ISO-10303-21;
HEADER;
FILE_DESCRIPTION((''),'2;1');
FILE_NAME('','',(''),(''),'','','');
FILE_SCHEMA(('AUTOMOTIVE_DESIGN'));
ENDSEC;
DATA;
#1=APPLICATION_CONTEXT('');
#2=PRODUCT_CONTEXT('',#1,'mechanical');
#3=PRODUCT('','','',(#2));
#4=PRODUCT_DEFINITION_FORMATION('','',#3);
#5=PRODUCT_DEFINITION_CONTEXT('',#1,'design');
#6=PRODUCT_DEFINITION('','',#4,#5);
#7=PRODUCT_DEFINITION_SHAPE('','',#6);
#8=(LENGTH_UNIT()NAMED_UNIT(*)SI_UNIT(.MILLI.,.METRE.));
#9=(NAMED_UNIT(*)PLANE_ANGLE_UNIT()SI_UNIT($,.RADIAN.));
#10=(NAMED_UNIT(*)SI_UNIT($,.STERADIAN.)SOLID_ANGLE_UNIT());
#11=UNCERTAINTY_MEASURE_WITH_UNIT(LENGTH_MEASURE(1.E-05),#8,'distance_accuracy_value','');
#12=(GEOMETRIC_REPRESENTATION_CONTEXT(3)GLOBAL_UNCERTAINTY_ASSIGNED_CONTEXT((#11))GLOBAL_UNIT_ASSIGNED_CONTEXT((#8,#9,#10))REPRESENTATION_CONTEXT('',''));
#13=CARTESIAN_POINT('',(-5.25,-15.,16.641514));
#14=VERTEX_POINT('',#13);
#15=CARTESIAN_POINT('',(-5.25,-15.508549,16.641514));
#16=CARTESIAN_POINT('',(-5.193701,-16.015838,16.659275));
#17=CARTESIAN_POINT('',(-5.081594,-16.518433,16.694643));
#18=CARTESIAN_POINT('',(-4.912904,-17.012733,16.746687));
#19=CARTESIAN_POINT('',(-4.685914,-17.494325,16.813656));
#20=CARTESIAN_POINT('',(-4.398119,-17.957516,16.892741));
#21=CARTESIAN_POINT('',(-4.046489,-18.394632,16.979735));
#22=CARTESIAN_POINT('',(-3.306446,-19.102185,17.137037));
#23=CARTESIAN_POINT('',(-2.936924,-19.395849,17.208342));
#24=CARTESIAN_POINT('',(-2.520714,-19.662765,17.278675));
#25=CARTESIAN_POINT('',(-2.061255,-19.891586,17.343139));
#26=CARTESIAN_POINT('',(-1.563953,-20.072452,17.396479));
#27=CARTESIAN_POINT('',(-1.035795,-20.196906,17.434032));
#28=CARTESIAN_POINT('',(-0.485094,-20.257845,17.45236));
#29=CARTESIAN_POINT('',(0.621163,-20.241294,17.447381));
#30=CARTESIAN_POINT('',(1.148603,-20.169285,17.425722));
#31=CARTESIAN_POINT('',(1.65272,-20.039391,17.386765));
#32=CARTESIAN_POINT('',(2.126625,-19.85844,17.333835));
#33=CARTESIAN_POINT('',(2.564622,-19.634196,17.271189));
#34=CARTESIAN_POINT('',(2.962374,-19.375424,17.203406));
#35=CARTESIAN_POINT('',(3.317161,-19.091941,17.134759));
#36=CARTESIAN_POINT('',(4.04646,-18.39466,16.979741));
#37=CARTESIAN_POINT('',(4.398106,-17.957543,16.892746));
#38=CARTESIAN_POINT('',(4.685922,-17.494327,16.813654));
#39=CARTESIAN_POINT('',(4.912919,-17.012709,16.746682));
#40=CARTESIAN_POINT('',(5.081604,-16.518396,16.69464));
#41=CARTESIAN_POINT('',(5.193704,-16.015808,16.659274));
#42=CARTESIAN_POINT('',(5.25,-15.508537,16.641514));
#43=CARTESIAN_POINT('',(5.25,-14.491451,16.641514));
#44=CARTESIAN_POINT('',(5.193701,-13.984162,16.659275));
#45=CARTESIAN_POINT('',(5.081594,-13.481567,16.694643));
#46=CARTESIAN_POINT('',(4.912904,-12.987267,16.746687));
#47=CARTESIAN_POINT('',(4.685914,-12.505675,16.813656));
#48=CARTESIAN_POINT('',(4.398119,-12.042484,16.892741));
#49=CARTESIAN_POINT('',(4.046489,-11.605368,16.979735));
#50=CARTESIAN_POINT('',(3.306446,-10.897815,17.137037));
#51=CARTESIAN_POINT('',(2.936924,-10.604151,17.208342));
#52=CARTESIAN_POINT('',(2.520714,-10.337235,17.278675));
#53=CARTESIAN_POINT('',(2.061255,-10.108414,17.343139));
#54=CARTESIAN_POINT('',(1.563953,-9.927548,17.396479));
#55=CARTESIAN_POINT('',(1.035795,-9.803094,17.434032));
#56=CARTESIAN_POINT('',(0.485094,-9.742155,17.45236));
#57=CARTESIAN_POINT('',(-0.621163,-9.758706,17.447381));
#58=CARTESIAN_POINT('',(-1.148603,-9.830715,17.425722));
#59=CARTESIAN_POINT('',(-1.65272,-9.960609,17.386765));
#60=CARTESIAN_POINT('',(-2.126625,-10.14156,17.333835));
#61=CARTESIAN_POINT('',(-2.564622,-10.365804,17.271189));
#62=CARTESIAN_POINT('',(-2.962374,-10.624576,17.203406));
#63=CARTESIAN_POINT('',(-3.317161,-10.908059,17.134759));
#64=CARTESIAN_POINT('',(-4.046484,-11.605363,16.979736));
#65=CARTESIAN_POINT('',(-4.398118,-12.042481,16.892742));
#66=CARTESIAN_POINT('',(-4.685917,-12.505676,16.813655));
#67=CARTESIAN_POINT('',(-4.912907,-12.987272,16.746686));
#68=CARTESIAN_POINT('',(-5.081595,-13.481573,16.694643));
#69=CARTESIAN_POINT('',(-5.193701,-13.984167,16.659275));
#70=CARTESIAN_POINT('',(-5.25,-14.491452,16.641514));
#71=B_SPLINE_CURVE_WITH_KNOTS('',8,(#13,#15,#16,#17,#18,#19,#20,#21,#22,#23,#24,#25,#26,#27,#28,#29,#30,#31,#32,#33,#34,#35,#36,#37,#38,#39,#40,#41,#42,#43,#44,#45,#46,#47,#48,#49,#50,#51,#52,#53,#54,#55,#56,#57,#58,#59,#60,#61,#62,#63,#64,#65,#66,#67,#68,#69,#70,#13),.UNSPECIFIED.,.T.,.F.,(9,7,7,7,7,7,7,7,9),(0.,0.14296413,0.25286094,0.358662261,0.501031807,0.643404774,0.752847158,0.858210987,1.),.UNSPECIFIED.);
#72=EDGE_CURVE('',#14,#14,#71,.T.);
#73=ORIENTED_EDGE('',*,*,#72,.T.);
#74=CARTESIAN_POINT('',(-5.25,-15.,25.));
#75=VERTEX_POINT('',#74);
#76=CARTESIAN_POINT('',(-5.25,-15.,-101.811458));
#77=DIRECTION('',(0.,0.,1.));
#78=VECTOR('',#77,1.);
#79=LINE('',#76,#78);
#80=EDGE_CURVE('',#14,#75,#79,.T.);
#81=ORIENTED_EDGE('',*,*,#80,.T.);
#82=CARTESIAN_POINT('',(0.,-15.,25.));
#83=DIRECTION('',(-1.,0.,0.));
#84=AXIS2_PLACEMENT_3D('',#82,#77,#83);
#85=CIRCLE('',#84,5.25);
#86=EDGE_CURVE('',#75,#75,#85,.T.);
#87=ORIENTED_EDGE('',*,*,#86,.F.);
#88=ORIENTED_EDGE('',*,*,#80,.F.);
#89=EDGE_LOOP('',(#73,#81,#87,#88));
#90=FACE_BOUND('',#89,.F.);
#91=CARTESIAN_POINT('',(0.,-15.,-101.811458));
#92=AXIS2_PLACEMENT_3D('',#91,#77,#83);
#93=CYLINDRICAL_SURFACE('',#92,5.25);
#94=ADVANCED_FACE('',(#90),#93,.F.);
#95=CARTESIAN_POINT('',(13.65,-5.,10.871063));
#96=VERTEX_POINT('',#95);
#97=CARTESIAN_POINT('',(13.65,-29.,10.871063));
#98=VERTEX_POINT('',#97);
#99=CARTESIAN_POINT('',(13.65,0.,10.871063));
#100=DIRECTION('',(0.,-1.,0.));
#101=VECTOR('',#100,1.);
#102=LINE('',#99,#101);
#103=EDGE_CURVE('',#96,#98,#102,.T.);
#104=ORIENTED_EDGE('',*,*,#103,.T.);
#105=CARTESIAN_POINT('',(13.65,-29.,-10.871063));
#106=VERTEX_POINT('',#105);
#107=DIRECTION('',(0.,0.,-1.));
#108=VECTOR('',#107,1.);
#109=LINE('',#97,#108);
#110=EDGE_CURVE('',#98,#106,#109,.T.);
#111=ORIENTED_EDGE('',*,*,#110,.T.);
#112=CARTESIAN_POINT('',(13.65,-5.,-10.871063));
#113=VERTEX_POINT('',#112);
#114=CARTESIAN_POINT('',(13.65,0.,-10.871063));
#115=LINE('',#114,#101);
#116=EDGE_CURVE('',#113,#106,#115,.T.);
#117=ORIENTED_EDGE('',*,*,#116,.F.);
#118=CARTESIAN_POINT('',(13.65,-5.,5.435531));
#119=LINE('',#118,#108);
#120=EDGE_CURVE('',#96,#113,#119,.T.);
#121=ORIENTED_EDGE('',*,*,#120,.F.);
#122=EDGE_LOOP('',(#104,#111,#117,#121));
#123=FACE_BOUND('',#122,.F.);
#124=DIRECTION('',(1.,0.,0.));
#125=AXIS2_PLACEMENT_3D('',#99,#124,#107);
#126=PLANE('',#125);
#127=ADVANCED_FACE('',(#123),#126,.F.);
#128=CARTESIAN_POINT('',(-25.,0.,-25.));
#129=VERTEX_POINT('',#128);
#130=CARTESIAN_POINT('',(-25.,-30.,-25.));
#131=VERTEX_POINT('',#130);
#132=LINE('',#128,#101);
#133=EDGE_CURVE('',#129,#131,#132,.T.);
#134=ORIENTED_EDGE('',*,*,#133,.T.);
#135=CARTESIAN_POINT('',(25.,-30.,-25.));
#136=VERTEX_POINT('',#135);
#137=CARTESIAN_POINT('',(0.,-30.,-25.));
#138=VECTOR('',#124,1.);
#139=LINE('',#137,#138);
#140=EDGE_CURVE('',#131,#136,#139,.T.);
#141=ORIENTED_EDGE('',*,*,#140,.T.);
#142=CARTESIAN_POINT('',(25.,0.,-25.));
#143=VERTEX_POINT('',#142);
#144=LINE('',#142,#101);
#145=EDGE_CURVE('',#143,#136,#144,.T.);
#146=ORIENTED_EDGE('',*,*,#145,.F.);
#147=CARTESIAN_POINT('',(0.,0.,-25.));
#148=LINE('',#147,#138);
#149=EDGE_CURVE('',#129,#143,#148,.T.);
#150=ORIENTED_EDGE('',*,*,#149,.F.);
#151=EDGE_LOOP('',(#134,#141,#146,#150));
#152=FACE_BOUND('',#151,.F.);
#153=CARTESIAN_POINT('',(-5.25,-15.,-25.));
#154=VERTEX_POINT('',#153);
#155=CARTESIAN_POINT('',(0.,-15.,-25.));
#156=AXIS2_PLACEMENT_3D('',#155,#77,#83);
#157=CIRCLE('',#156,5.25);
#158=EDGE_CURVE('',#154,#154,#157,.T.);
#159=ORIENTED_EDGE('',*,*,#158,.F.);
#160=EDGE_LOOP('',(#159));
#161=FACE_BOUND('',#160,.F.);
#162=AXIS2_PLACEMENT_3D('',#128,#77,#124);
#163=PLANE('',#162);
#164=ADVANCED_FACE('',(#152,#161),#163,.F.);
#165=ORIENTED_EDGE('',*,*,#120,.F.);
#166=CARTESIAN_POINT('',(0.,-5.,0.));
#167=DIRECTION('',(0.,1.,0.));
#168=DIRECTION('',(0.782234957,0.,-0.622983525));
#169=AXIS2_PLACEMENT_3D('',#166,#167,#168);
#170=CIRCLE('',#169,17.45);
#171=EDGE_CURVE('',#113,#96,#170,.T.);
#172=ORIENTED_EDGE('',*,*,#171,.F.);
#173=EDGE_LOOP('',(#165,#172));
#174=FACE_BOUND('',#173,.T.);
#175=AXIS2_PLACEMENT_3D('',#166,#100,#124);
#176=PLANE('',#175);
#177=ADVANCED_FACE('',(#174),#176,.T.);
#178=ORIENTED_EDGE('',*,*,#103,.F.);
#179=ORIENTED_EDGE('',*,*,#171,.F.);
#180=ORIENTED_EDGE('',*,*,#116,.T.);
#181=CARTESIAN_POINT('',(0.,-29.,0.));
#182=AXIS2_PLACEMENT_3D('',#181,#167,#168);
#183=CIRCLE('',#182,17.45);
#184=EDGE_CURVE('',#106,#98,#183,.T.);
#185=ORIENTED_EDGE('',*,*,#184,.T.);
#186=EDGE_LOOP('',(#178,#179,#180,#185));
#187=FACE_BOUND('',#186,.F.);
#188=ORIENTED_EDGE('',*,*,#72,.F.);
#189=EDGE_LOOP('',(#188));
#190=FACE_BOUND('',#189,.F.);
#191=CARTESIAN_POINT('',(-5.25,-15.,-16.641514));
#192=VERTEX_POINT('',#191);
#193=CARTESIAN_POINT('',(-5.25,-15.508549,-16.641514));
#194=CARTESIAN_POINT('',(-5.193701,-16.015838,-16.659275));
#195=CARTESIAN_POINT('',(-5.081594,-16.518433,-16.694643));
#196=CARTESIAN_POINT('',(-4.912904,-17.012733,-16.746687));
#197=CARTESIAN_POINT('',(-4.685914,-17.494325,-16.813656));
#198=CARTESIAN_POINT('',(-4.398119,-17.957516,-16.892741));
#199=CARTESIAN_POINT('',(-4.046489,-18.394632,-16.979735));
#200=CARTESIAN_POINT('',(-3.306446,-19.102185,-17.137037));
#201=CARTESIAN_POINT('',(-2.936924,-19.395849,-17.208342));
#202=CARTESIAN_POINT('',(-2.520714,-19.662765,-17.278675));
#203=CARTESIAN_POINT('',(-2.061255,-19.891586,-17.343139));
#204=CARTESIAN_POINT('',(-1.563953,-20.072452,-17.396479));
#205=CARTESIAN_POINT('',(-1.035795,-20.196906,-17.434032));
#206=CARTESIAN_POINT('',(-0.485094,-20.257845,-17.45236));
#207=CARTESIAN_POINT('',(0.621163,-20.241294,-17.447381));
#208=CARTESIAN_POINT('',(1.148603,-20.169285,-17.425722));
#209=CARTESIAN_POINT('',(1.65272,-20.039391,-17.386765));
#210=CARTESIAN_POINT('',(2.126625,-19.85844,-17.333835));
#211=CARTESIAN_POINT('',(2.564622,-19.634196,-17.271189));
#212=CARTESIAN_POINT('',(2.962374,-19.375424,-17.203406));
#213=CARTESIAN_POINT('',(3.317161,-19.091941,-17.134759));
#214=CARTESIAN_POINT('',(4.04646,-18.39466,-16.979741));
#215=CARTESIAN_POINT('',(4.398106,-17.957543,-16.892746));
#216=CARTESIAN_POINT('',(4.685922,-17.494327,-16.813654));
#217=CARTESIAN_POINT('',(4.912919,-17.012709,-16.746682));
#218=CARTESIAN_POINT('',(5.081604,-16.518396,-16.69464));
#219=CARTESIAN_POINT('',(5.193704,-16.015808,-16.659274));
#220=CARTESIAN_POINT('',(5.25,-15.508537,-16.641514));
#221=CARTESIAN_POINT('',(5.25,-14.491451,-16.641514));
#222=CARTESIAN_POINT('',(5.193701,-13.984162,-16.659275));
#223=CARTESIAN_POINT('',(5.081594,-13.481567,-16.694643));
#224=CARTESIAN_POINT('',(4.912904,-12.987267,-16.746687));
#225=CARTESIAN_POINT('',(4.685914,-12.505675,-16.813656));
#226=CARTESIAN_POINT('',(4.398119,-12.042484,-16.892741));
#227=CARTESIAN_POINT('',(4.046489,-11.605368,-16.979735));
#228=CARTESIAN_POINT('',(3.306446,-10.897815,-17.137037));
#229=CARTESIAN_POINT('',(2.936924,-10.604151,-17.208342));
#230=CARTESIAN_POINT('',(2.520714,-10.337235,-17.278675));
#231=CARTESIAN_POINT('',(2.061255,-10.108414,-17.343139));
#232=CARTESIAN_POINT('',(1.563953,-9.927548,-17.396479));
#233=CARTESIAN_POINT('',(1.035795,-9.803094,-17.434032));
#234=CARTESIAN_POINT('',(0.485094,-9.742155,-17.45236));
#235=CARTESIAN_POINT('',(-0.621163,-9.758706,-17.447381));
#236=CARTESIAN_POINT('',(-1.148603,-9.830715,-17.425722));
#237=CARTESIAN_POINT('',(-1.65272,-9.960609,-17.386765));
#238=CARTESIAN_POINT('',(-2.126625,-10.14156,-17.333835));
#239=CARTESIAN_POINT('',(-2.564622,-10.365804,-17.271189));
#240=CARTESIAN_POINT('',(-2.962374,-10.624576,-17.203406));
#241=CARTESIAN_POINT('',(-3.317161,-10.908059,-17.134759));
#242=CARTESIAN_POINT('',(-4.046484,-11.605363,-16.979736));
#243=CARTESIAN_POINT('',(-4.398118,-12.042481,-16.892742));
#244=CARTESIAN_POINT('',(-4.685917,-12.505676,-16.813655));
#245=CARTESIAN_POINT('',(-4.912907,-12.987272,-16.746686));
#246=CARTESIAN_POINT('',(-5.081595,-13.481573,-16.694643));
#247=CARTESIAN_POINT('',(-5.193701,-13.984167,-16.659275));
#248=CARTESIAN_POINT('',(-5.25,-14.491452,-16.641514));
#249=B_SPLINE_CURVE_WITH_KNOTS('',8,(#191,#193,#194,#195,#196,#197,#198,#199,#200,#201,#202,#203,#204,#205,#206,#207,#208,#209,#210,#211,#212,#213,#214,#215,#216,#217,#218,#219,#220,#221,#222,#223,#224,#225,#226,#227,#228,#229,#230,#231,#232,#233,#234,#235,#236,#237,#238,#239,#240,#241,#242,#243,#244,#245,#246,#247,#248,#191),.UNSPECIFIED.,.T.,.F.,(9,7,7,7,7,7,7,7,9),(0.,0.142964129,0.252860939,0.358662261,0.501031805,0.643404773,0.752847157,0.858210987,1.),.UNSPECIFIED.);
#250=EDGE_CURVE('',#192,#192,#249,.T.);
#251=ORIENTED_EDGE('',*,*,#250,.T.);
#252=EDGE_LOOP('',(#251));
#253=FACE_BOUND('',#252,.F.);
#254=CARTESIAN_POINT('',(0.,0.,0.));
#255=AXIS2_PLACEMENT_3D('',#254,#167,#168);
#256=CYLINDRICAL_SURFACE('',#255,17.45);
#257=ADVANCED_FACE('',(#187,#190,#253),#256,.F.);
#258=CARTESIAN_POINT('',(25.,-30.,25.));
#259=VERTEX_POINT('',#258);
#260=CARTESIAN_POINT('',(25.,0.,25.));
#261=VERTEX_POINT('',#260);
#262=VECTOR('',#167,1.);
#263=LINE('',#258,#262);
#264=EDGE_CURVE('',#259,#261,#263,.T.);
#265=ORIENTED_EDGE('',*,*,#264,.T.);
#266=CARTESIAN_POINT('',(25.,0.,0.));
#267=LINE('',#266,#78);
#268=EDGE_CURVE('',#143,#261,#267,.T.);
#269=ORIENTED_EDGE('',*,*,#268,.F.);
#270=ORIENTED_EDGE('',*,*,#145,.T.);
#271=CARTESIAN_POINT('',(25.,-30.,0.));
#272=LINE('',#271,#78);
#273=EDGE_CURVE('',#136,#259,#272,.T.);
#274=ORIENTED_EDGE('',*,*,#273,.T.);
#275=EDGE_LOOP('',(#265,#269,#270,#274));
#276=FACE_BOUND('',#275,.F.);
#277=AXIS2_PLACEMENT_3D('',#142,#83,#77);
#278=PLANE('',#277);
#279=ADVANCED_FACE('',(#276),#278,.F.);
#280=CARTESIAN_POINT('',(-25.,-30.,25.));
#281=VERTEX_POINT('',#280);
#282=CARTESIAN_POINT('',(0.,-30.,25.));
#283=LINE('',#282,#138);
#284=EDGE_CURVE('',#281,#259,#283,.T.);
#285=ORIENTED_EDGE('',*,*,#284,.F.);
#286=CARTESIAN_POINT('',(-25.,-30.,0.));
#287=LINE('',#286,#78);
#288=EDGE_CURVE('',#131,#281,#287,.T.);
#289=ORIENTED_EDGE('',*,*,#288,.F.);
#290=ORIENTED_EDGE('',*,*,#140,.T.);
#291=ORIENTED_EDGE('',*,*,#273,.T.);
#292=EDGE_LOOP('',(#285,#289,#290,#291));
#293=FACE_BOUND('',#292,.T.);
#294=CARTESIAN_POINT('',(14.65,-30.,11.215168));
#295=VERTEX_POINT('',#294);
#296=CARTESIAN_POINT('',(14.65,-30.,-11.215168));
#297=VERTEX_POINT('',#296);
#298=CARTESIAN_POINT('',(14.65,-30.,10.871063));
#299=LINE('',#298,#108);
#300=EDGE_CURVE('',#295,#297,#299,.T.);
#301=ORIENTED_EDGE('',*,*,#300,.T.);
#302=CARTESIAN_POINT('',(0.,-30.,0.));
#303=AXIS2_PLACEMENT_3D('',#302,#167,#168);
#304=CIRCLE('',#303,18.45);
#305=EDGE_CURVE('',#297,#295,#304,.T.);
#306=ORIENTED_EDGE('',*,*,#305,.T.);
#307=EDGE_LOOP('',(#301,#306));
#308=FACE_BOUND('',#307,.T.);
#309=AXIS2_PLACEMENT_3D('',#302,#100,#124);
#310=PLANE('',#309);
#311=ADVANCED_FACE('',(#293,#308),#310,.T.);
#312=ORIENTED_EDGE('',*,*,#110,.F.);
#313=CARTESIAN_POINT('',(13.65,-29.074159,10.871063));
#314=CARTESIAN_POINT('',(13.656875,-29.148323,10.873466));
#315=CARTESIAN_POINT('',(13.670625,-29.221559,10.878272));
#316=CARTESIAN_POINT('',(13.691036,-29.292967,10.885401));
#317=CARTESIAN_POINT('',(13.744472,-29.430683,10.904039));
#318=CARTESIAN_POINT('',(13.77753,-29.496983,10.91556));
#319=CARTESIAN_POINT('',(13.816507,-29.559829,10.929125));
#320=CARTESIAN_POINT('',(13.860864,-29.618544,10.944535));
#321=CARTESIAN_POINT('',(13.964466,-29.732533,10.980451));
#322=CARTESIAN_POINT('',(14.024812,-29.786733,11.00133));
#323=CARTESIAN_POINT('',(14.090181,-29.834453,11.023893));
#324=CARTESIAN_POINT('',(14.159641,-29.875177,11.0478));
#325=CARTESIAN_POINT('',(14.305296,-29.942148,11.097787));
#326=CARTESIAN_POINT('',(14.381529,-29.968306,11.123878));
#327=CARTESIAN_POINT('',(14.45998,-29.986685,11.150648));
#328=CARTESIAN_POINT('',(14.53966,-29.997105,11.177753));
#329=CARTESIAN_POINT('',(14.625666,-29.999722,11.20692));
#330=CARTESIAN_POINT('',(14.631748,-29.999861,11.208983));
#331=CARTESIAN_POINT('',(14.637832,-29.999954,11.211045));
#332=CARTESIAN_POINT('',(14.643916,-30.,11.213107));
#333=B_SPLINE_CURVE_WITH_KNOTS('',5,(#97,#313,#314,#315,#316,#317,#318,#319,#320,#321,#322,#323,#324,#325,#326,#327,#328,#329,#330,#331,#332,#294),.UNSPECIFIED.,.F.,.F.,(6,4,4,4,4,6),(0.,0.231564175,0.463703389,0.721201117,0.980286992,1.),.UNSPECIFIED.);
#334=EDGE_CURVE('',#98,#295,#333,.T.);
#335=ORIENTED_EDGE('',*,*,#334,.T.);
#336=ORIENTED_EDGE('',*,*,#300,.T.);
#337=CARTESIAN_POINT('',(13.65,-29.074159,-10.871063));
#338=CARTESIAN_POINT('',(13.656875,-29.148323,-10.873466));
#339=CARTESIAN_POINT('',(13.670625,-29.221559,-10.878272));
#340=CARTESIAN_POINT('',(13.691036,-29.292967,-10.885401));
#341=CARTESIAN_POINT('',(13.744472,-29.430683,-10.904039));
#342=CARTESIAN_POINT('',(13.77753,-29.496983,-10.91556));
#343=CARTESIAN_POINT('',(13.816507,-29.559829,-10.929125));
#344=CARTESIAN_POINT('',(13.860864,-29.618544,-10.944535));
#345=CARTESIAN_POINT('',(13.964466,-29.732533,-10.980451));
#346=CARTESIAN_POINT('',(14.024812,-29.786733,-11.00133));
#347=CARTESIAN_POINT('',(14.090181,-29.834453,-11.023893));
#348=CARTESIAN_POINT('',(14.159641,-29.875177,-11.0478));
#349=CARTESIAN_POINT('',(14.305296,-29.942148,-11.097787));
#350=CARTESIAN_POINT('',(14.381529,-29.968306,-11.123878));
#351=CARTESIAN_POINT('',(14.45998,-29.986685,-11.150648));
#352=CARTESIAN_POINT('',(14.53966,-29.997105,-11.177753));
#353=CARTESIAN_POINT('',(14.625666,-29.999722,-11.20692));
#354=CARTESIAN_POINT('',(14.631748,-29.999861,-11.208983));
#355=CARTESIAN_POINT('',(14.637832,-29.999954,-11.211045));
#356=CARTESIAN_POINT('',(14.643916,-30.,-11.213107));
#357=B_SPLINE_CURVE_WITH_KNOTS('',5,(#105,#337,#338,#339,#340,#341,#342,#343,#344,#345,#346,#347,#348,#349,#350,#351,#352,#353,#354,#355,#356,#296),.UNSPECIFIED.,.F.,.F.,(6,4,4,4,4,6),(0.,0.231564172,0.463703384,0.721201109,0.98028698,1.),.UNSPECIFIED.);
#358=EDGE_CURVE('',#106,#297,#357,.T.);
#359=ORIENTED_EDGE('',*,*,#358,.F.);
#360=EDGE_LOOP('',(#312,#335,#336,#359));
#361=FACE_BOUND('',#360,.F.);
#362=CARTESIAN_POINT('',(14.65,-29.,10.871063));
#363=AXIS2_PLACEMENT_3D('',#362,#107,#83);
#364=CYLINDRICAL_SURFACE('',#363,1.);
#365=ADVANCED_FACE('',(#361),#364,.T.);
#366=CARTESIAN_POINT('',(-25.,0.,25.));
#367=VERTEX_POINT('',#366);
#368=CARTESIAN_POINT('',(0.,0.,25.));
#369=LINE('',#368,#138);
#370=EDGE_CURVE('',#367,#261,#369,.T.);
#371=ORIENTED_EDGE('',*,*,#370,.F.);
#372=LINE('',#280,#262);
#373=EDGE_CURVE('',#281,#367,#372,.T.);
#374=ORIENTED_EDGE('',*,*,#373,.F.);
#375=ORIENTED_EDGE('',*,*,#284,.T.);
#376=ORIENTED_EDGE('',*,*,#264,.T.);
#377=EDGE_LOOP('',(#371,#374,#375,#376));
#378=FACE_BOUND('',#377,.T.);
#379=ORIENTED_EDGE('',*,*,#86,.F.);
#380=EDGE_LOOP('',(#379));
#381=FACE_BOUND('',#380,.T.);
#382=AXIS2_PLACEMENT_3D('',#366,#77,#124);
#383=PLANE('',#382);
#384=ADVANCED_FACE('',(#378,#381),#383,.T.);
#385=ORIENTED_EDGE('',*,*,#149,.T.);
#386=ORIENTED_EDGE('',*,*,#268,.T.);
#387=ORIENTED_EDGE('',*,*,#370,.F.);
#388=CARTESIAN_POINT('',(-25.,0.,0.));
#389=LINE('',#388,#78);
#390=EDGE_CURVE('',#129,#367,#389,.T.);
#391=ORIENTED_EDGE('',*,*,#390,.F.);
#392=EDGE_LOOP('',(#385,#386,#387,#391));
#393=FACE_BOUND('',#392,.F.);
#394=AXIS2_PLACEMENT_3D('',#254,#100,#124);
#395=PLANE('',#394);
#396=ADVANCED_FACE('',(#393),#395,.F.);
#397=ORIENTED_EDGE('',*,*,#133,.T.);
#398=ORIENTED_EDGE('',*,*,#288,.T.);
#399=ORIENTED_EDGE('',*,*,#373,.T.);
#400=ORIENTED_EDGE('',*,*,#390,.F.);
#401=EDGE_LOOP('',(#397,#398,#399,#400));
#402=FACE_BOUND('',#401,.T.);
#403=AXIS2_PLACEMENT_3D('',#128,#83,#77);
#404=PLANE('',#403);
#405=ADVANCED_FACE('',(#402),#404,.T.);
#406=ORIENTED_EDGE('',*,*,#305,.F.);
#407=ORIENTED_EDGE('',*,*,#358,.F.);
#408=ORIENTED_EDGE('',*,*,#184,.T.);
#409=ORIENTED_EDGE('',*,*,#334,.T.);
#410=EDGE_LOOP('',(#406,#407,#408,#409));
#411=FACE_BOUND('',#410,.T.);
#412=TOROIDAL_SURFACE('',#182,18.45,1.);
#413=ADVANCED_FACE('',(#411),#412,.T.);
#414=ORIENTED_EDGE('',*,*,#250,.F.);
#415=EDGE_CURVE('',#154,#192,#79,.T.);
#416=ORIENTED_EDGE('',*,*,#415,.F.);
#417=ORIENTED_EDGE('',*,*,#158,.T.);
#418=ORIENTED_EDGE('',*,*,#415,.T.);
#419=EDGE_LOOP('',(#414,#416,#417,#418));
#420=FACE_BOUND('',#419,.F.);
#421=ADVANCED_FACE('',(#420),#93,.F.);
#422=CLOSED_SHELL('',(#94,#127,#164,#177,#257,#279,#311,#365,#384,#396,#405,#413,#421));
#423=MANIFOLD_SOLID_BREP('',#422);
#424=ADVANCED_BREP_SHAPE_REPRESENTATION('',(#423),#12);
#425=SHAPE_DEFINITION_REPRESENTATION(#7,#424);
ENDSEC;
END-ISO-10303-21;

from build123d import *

# Parameters (mm, degrees)
F0_W     = 50
F0_H     = 50
F1_DEPTH = 30
F3_R     = 1
F4_W     = 50
F4_H     = 50
F5_DEPTH = 5
F6_D     = 10.5


with BuildPart() as f1:
    # F0 (on Front) → F1 (new body)
    with BuildSketch(Plane.XZ):
        Rectangle(F0_W, F0_H)
        with BuildLine():
            ThreePointArc((13.65, -10.8710625056), (-17.45, 0), (13.65, 10.8710625056))
            Line((13.65, 10.8710625056), (13.65, -10.8710625056))
        make_face(mode=Mode.SUBTRACT)
    extrude(amount=F1_DEPTH)

    # F3
    f3_edges = [f1.edges().sort_by_distance(p)[0] for p in [
        (13.65, -30, 0),
        (-17.45, -30, 0),
    ]]
    fillet(f3_edges, radius=F3_R)

    # F4 (on face) → F5 (join)
    with BuildSketch(Plane.XZ):
        Rectangle(F4_W, F4_H)
    extrude(amount=F5_DEPTH)

    # F6 (through all)
    with Locations(Plane(origin=(0, 0, -25), x_dir=(1, 0, 0), z_dir=(0, 0, -1))):
        with Locations((0, 15)):
            Hole(F6_D / 2)


solid = f1.part
